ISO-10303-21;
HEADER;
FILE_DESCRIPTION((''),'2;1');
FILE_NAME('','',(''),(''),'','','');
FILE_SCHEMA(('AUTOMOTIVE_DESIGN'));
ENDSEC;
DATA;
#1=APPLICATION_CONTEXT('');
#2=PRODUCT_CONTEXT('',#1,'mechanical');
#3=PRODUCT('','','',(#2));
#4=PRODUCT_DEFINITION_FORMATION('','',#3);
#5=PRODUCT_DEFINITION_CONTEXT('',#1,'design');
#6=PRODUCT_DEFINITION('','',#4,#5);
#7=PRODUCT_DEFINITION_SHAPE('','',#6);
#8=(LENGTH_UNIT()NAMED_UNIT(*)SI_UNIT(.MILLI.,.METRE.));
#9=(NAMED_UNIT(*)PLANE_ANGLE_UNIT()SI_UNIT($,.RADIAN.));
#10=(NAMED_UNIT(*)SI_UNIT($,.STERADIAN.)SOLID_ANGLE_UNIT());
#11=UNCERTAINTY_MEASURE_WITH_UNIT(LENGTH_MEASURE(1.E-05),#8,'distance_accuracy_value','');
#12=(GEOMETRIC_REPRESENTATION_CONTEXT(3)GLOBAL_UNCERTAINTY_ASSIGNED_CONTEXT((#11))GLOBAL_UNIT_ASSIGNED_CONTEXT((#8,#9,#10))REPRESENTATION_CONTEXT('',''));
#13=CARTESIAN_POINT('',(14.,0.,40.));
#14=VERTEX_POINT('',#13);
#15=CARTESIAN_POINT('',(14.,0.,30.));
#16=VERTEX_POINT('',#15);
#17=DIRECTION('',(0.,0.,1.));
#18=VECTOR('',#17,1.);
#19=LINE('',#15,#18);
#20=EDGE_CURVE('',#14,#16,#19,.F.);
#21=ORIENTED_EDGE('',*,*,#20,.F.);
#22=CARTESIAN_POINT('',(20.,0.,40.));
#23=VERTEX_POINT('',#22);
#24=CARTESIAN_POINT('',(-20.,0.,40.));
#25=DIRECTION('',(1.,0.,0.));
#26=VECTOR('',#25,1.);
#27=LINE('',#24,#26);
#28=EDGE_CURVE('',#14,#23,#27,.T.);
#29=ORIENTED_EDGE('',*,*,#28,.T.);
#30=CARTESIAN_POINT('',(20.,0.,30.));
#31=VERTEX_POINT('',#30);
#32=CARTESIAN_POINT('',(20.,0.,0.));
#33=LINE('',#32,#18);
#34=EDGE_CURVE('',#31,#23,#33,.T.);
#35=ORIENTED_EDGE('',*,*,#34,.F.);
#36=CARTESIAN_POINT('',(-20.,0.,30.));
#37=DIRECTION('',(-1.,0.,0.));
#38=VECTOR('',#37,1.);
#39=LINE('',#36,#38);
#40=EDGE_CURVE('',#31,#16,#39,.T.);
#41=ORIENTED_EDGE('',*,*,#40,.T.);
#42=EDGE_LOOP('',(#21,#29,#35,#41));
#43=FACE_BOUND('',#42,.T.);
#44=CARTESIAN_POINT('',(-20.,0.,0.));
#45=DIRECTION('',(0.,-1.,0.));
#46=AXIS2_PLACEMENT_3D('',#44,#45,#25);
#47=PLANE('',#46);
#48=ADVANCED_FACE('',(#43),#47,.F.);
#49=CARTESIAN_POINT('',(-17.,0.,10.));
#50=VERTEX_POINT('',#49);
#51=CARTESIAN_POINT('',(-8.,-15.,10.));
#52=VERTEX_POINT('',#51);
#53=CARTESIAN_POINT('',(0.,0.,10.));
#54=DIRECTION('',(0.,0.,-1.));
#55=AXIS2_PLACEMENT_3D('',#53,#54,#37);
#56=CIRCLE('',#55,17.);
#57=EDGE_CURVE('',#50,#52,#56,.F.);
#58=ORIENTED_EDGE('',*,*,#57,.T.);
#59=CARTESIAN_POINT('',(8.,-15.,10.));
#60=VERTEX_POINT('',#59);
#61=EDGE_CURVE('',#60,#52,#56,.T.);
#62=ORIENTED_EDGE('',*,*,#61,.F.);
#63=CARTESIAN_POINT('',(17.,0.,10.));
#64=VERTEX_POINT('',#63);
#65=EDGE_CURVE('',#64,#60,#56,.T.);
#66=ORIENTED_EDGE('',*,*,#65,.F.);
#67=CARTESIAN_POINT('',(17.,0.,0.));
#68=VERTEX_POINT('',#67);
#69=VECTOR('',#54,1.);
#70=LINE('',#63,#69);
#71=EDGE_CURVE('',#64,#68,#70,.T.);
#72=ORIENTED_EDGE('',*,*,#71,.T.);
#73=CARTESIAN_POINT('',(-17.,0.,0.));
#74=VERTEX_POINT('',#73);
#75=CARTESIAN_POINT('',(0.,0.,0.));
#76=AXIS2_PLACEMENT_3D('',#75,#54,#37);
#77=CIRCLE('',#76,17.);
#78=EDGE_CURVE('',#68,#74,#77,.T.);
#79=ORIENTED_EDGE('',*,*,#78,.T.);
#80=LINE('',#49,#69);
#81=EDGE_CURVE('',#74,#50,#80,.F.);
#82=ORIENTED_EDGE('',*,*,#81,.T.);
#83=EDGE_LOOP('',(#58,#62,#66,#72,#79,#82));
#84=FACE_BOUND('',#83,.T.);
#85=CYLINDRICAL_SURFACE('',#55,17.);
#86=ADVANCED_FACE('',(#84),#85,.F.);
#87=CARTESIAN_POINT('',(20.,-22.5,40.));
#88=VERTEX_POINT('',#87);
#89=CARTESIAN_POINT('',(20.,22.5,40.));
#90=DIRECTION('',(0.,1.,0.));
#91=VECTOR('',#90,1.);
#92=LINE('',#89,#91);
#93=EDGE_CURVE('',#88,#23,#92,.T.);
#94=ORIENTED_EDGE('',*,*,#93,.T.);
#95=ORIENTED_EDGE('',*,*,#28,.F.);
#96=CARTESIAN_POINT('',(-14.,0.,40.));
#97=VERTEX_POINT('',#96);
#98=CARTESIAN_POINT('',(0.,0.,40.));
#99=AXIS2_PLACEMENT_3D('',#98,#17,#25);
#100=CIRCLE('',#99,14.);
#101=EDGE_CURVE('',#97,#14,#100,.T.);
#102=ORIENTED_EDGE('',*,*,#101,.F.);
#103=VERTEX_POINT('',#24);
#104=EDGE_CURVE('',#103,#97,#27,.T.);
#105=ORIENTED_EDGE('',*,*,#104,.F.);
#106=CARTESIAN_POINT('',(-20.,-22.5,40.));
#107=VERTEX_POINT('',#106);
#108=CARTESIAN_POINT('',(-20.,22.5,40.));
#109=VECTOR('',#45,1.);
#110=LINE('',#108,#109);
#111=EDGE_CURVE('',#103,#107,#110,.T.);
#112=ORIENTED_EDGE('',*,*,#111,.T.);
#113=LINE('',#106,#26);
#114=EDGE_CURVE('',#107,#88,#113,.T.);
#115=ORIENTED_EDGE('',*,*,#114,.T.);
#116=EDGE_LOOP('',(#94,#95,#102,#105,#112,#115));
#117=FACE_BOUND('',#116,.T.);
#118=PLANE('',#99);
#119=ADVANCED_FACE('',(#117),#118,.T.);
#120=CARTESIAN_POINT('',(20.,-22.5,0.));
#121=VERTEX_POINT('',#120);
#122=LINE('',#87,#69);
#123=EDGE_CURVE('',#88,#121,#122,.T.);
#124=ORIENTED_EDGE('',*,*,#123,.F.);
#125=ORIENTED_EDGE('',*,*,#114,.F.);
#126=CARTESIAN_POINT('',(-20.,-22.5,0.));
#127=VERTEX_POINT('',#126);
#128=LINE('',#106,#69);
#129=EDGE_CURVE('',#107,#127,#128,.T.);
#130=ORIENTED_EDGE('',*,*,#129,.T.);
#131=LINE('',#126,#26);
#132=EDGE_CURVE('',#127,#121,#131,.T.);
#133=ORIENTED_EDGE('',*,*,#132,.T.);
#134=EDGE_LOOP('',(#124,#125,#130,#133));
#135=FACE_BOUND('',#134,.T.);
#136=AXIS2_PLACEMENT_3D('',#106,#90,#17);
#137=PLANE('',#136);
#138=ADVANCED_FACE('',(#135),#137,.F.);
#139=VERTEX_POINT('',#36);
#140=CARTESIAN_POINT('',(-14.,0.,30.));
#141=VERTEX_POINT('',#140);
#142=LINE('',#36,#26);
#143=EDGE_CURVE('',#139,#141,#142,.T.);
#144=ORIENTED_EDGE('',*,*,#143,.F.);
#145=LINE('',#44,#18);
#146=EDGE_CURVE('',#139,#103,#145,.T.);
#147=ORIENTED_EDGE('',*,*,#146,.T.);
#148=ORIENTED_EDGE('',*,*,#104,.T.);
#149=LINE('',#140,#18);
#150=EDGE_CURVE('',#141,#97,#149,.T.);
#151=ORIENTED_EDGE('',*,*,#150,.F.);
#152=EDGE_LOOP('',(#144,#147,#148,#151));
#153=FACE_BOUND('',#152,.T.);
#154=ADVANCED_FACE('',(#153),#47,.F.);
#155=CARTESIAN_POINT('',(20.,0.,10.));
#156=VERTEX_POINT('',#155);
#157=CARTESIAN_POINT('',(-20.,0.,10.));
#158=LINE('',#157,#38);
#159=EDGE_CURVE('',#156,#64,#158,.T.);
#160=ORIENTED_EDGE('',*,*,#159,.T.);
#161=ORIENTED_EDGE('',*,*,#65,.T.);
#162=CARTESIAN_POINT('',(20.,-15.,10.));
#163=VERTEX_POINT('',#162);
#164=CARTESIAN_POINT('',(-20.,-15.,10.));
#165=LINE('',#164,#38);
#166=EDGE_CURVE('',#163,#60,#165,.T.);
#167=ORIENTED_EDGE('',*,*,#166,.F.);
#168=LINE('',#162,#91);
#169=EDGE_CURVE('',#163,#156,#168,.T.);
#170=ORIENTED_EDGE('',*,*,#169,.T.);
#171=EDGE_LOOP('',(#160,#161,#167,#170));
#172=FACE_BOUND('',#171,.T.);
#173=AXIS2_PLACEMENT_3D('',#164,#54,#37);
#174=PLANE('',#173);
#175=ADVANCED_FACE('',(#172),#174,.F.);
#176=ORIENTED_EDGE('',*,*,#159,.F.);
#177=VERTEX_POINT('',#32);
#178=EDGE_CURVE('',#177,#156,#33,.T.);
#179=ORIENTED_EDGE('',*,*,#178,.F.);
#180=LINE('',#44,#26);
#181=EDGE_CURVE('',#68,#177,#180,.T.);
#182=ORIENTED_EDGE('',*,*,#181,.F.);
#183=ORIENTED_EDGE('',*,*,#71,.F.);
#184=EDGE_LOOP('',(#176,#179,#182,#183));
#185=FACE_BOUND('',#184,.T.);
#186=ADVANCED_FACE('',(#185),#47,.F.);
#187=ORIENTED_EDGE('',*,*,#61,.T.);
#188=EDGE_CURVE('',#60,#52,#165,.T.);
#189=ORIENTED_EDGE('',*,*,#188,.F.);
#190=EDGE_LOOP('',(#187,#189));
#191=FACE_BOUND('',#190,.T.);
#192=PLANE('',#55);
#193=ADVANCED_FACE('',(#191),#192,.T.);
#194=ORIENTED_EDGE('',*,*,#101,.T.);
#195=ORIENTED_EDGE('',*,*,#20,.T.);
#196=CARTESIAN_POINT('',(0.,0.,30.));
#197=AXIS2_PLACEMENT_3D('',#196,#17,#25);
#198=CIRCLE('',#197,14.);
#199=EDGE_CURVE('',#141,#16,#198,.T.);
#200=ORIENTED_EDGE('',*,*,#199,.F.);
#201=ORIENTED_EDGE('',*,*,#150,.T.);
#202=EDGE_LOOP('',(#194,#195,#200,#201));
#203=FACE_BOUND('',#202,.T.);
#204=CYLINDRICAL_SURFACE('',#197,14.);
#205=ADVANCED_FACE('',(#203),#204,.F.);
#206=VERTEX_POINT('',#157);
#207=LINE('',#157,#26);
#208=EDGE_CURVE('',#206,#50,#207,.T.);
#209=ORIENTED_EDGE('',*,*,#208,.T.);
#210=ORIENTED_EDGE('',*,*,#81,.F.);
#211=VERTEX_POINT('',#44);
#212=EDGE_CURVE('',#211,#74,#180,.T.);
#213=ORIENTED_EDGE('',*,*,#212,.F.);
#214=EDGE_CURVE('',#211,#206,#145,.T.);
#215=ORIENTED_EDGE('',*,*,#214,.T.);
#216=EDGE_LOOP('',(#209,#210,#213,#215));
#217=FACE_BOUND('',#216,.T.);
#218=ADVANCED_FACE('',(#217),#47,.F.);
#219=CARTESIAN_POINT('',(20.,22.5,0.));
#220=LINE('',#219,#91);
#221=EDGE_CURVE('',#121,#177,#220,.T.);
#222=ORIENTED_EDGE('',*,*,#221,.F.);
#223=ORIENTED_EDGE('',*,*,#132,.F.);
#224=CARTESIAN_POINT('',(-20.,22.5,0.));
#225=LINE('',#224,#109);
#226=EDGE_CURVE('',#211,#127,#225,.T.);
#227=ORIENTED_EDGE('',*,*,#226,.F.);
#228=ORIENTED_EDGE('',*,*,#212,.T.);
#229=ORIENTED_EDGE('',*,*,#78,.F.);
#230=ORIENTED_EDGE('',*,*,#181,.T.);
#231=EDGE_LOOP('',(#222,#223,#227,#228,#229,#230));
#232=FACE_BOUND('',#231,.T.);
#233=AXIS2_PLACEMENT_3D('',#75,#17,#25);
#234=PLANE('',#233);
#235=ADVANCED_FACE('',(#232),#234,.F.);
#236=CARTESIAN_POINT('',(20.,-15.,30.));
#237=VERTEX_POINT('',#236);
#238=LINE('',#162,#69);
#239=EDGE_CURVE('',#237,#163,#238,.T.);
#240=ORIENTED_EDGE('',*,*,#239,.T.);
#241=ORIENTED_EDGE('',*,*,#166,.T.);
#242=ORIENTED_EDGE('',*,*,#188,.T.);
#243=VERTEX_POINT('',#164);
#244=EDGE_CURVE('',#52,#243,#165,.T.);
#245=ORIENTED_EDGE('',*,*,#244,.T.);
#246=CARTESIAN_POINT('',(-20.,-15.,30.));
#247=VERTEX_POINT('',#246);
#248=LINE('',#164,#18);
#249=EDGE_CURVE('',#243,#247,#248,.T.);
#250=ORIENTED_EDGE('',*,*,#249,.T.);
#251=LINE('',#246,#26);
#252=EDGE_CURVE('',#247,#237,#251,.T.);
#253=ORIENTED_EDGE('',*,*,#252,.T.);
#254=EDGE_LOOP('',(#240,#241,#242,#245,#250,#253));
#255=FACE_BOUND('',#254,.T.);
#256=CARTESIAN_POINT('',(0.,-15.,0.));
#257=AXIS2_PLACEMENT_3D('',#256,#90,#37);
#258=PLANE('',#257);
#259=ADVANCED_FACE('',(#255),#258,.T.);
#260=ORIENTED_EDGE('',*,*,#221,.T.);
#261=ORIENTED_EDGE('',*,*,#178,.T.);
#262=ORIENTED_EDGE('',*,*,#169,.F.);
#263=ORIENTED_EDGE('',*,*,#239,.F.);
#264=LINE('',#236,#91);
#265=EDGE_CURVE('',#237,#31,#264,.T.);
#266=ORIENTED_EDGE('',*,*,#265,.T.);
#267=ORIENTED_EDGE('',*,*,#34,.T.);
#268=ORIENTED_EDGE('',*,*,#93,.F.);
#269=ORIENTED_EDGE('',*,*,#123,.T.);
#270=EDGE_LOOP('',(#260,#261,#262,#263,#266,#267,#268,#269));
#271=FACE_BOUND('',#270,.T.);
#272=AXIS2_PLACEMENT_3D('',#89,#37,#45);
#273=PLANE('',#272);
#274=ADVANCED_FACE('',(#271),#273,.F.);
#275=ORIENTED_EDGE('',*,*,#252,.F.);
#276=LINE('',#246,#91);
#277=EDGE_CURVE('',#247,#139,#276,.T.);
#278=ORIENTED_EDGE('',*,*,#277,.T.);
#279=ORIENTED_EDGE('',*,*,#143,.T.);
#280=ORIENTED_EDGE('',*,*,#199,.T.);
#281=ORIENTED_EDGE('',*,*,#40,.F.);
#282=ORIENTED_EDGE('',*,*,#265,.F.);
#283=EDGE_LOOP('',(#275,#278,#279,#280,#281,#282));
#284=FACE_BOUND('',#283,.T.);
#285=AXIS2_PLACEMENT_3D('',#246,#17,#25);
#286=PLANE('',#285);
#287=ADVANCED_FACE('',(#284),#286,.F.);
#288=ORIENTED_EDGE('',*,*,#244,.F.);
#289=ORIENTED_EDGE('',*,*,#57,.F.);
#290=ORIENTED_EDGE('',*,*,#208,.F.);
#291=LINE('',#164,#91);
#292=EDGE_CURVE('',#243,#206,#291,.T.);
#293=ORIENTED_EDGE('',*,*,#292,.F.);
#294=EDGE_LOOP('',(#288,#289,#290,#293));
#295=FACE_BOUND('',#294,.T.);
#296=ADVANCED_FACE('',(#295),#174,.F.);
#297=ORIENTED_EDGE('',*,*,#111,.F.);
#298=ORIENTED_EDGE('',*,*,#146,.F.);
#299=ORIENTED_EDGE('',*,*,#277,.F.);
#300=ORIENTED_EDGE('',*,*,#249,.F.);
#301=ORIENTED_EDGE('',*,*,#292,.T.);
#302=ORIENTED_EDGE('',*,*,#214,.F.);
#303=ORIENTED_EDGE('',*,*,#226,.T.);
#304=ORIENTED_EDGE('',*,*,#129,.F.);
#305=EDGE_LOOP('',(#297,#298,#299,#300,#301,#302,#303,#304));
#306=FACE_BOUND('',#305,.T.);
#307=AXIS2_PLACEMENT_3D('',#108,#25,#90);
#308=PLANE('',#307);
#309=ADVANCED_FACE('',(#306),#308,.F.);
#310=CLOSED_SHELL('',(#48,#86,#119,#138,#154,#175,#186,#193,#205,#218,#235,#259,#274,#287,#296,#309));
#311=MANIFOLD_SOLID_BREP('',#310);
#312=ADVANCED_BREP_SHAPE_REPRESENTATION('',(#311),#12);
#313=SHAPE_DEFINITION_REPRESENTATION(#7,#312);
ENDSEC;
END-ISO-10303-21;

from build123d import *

# Parameters (mm, degrees)
SKETCH1_W           = 40
SKETCH1_H           = 45
BOSS_EXTRUDE1_DEPTH = 40
SKETCH2_R           = 17
CUT_EXTRUDE1_DEPTH  = 10
SKETCH3_R           = 14
CUT_EXTRUDE2_DEPTH  = 10
SKETCH4_W           = 40
SKETCH4_H           = 22.5
CUT_EXTRUDE3_DEPTH  = 41
SKETCH5_W           = 40
SKETCH5_H           = 20
CUT_EXTRUDE4_DEPTH  = 15


with BuildPart() as part:
    # Sketch1 → Boss-Extrude1 (new body)
    with BuildSketch(Plane.XY):
        Rectangle(SKETCH1_W, SKETCH1_H)
    extrude(amount=BOSS_EXTRUDE1_DEPTH)

    # Sketch2 → Cut-Extrude1 (cut)
    with BuildSketch(Plane(origin=(0, 0, 0), x_dir=(-1, 0, 0), z_dir=(0, 0, -1))):
        Circle(SKETCH2_R)
    extrude(amount=-CUT_EXTRUDE1_DEPTH, mode=Mode.SUBTRACT)

    # Sketch3 → Cut-Extrude2 (cut)
    with BuildSketch(Plane.XY.offset(40)):
        Circle(SKETCH3_R)
    extrude(amount=-CUT_EXTRUDE2_DEPTH, mode=Mode.SUBTRACT)

    # Sketch4 → Cut-Extrude3 (cut, through all)
    with BuildSketch(Plane.XY.offset(40)):
        with Locations((0, 11.25)):
            Rectangle(SKETCH4_W, SKETCH4_H)
    extrude(amount=-CUT_EXTRUDE3_DEPTH, mode=Mode.SUBTRACT)

    # Sketch5 → Cut-Extrude4 (cut)
    with BuildSketch(Plane(origin=(0, 0, 0), x_dir=(1, 0, 0), z_dir=(0, 1, 0))):
        with Locations((0, -20)):
            Rectangle(SKETCH5_W, SKETCH5_H)
    extrude(amount=-CUT_EXTRUDE4_DEPTH, mode=Mode.SUBTRACT)


solid = part.part
